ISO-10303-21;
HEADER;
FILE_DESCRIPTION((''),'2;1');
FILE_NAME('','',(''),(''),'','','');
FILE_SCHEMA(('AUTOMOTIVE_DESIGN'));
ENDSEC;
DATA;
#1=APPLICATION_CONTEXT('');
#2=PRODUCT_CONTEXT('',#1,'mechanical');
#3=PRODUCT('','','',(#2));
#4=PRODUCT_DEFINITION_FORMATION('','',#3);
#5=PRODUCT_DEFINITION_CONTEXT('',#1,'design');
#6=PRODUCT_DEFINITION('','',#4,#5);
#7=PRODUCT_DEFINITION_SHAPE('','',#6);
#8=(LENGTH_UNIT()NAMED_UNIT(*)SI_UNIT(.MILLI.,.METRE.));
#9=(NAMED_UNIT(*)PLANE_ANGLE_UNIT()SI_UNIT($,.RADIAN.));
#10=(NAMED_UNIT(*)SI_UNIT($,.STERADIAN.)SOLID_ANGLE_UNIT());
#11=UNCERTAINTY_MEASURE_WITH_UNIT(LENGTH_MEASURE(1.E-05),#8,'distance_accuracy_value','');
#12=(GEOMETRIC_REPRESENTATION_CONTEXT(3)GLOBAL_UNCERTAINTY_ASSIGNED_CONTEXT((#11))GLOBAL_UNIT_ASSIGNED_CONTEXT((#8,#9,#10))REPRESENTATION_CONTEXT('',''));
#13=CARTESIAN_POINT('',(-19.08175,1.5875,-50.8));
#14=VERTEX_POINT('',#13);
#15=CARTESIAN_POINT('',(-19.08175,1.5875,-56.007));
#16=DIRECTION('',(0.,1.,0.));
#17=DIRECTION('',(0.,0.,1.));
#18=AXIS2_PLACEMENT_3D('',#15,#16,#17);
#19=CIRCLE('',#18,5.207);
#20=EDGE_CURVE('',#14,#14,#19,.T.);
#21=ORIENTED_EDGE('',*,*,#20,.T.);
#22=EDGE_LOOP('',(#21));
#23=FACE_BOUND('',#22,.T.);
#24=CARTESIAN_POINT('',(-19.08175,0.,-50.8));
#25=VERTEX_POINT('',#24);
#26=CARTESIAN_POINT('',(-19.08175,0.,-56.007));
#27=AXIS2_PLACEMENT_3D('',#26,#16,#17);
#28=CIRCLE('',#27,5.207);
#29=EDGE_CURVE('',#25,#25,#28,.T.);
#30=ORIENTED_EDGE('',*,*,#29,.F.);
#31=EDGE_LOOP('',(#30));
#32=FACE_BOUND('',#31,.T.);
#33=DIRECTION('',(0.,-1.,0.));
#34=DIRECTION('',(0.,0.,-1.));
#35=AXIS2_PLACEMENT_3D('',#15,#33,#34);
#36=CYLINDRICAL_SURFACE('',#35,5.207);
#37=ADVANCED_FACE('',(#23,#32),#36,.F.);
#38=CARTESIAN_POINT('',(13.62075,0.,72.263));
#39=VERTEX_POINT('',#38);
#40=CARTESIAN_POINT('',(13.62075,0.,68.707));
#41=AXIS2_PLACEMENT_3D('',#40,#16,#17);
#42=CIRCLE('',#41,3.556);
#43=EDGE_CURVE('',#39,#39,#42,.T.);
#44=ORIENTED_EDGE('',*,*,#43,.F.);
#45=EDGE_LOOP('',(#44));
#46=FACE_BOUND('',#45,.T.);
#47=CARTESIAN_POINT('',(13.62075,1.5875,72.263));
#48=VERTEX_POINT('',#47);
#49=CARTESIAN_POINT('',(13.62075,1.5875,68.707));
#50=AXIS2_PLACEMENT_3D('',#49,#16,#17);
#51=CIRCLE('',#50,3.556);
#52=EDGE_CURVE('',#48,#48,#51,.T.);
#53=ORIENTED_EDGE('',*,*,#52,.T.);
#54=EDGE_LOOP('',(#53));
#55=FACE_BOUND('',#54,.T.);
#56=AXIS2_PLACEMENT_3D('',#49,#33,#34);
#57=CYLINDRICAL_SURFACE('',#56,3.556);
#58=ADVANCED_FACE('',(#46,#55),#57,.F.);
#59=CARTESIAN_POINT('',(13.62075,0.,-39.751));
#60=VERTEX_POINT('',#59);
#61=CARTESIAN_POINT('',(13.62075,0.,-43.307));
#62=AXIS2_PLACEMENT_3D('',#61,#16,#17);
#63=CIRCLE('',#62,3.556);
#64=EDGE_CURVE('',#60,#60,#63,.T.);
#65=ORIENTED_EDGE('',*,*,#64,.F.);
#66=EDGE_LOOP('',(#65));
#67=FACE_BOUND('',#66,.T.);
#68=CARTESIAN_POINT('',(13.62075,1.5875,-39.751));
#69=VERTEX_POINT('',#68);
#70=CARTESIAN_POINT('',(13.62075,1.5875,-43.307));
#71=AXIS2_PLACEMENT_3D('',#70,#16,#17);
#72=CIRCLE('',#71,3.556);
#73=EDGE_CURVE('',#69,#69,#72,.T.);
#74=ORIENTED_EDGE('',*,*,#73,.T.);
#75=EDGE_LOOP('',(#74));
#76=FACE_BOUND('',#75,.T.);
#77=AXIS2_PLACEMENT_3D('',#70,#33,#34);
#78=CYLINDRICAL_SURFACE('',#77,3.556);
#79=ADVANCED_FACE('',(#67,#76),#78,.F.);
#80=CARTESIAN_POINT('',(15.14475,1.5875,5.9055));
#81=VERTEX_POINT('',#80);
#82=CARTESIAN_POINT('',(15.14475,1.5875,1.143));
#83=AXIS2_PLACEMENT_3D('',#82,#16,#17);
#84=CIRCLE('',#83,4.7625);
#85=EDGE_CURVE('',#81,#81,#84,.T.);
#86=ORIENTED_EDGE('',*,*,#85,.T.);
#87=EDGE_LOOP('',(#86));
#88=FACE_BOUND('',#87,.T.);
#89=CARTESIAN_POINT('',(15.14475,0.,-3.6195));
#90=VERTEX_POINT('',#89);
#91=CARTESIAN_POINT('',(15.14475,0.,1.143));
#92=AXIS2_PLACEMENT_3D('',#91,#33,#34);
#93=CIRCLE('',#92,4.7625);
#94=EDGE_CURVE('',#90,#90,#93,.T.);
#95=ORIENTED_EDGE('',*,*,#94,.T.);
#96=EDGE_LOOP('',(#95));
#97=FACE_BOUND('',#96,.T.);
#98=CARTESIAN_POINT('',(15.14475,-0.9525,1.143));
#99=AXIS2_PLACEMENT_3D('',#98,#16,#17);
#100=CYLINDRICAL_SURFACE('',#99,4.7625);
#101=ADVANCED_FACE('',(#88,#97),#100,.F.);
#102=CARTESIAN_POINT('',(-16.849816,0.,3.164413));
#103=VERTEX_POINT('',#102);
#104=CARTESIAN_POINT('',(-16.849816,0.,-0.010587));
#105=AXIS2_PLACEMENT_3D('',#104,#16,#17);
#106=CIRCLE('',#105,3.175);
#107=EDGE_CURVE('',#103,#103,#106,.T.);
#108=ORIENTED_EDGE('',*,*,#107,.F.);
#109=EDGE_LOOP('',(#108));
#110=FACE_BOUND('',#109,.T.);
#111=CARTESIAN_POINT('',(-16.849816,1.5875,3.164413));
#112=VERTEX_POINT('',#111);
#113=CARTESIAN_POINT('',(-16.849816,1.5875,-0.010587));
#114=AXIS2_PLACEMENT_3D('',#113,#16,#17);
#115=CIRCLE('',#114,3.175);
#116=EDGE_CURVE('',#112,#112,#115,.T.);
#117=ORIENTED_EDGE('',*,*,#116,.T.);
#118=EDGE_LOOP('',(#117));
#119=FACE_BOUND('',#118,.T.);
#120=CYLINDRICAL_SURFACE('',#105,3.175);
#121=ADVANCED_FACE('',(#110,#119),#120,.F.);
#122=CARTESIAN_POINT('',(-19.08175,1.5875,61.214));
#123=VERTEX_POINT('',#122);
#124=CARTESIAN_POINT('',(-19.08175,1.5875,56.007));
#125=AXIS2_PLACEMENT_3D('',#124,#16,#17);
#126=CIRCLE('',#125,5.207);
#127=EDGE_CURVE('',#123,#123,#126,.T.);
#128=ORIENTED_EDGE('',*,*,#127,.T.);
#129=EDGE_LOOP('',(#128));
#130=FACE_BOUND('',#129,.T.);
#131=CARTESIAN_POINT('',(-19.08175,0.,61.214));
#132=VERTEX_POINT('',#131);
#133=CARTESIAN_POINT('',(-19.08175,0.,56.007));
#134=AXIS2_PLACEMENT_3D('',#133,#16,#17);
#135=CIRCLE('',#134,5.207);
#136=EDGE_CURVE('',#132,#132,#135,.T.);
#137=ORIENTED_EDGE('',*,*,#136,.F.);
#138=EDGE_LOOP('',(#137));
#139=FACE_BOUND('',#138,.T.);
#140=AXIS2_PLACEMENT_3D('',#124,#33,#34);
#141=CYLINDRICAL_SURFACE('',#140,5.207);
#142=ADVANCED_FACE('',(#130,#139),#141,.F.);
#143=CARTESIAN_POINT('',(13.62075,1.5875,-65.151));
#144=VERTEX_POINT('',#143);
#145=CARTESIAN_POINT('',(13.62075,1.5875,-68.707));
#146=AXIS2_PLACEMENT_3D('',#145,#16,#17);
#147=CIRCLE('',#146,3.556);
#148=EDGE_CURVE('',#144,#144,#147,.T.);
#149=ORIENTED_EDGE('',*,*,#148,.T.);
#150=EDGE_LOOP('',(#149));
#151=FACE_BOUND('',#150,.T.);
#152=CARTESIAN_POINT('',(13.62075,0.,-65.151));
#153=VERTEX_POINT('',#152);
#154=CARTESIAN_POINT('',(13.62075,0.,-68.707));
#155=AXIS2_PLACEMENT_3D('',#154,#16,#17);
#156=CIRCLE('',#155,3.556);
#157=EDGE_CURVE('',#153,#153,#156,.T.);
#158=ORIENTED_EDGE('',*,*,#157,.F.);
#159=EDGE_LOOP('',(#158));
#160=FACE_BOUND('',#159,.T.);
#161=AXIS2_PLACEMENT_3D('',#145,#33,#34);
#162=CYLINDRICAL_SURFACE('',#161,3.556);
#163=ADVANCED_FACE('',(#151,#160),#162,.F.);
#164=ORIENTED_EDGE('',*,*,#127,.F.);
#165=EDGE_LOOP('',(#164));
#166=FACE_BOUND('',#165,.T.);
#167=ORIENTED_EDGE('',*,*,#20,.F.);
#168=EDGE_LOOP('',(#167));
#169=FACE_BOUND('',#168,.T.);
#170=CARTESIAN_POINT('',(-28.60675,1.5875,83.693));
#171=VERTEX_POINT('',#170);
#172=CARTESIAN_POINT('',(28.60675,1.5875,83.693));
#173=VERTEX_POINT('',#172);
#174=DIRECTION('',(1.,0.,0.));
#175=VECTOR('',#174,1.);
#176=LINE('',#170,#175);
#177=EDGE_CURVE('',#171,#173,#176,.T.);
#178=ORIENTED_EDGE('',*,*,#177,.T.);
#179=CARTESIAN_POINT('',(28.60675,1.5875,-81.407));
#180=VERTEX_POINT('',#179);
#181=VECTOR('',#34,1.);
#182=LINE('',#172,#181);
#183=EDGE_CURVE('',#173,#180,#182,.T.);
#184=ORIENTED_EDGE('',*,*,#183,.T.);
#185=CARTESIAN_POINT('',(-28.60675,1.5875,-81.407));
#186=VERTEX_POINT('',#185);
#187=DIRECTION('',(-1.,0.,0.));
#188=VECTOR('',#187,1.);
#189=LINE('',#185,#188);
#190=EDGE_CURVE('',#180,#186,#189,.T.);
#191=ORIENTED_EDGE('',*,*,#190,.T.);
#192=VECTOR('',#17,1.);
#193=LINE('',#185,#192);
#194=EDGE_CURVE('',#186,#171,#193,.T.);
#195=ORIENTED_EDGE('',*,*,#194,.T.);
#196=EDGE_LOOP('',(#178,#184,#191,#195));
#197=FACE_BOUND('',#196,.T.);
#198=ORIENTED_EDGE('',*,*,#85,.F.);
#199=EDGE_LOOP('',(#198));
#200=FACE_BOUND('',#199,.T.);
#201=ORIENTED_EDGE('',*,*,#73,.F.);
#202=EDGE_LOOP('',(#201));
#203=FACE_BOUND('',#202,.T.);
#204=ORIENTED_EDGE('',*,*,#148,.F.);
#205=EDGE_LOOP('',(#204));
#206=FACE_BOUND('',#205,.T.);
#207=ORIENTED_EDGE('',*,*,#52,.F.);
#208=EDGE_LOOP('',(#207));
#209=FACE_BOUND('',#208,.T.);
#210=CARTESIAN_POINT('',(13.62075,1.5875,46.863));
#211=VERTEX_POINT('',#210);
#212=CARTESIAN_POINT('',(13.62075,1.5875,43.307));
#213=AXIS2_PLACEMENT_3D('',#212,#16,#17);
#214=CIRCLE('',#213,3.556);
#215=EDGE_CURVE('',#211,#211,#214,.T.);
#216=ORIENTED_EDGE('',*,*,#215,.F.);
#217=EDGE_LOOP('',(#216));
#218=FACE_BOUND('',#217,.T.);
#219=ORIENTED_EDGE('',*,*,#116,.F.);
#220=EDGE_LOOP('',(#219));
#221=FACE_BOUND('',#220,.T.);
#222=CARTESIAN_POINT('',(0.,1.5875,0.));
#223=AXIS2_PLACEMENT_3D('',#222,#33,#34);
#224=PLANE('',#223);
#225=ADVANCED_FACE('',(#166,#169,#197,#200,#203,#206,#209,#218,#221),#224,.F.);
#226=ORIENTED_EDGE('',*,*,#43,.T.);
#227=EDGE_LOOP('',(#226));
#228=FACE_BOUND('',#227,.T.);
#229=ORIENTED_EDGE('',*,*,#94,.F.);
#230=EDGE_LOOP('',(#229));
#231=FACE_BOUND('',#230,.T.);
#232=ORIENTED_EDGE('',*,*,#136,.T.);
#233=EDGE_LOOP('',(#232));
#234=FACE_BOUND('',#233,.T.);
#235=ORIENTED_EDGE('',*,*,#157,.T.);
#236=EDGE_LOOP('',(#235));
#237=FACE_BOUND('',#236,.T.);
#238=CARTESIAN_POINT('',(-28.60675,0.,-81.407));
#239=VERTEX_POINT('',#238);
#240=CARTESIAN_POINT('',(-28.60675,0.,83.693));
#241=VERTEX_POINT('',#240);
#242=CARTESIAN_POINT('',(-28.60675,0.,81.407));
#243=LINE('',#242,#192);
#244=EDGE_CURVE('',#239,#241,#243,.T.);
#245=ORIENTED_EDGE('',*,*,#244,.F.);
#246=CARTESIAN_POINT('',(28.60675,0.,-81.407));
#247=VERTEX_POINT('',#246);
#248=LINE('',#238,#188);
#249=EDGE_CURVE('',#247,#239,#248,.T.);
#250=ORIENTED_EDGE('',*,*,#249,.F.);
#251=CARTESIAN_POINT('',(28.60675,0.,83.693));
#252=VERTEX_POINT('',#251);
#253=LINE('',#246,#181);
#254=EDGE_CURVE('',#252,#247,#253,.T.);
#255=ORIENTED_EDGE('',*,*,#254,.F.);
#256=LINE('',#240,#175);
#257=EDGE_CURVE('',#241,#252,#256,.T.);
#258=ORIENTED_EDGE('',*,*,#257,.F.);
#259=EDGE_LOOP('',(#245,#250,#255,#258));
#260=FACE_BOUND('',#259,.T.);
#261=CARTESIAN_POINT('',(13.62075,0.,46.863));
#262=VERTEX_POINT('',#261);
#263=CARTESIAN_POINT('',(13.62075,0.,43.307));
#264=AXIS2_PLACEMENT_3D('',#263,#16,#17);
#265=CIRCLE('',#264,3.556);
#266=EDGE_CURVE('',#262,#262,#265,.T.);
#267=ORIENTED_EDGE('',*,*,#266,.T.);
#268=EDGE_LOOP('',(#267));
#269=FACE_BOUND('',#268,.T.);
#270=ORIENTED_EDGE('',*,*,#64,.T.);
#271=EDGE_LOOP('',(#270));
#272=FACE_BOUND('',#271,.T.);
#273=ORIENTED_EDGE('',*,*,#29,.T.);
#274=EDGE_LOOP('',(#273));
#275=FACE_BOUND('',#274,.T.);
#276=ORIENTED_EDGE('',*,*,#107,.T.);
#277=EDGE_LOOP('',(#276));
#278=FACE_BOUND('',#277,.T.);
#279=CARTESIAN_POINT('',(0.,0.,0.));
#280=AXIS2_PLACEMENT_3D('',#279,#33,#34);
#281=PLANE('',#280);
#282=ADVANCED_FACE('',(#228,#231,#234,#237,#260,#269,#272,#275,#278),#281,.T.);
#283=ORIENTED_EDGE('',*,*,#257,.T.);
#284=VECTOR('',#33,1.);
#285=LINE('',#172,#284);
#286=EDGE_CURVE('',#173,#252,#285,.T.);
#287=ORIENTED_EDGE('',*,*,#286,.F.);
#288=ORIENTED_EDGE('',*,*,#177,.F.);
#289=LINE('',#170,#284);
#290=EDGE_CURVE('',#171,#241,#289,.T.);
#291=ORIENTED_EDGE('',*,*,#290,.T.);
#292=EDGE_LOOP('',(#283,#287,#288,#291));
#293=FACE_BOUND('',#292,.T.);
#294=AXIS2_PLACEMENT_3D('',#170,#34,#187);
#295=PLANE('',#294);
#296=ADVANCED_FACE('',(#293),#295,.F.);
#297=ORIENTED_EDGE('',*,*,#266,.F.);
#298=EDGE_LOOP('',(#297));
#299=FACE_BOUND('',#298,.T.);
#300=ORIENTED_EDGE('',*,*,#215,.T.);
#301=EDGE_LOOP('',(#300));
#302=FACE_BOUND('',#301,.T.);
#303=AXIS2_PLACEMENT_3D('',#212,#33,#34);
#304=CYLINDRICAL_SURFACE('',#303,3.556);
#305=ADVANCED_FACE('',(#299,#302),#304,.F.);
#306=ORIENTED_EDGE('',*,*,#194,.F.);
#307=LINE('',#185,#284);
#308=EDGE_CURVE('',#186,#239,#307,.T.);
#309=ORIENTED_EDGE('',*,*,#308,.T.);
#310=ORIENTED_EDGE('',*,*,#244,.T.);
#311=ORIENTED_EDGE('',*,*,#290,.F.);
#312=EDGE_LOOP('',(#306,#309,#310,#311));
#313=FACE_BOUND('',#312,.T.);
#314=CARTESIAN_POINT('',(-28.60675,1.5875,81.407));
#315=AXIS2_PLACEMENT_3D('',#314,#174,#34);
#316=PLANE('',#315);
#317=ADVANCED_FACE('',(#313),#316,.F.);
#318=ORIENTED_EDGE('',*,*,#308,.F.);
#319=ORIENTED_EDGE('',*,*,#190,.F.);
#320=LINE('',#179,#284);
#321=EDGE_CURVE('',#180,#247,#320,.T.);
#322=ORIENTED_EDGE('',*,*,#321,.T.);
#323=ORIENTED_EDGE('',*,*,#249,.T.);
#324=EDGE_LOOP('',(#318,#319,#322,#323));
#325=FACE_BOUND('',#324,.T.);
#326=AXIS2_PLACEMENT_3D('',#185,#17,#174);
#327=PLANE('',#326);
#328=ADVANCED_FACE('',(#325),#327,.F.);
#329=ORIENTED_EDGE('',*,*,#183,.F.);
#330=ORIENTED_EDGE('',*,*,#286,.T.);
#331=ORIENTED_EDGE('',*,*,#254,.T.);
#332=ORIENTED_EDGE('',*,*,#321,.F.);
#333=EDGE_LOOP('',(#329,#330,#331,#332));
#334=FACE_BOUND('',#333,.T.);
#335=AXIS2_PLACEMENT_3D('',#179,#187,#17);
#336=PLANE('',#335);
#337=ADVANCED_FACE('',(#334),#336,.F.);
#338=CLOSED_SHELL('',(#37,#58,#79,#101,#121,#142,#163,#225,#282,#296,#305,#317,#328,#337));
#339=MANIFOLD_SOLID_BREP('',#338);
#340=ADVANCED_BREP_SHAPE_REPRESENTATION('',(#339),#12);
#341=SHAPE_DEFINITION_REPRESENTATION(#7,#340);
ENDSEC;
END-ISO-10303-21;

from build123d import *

# Parameters (mm, degrees)
SKETCH1_R           = 5.207
SKETCH1_R_2         = 3.556
BOSS_EXTRUDE1_DEPTH = 1.5875
SKETCH2_R           = 3.175
CUT_EXTRUDE1_DEPTH  = 2.5875
SKETCH3_R           = 4.7625
CUT_EXTRUDE2_DEPTH  = 2.54


with BuildPart() as part:
    # Sketch1 → Boss-Extrude1 (new body)
    with BuildSketch(Plane(origin=(0, 0, 0), x_dir=(1, 0, 0), z_dir=(0, 1, 0))):
        Polygon((-28.60675, 81.407), (28.60675, 81.407), (28.60675, -81.407), (28.60675, -83.693), (-28.60675, -83.693), (-28.60675, -81.407), align=None)
        with Locations((-19.08175, 56.007)):
            Circle(SKETCH1_R, mode=Mode.SUBTRACT)
        with Locations((-19.08175, -56.007)):
            Circle(SKETCH1_R, mode=Mode.SUBTRACT)
        with Locations((13.62075, 68.707)):
            Circle(SKETCH1_R_2, mode=Mode.SUBTRACT)
        with Locations((13.62075, 43.307)):
            Circle(SKETCH1_R_2, mode=Mode.SUBTRACT)
        with Locations((13.62075, -43.307)):
            Circle(SKETCH1_R_2, mode=Mode.SUBTRACT)
        with Locations((13.62075, -68.707)):
            Circle(SKETCH1_R_2, mode=Mode.SUBTRACT)
    extrude(amount=BOSS_EXTRUDE1_DEPTH)

    # Sketch2 → Cut-Extrude1 (cut, through all)
    with BuildSketch(Plane(origin=(0, 1.5875, 0), x_dir=(1, 0, 0), z_dir=(0, 1, 0))):
        with Locations((-16.849815709, 0.01058698)):
            Circle(SKETCH2_R)
    extrude(amount=-CUT_EXTRUDE1_DEPTH, mode=Mode.SUBTRACT)

    # Sketch3 → Cut-Extrude2 (cut)
    with BuildSketch(Plane(origin=(0, 1.5875, 0), x_dir=(1, 0, 0), z_dir=(0, 1, 0))):
        with Locations((15.14475, -1.143)):
            Circle(SKETCH3_R)
    extrude(amount=-CUT_EXTRUDE2_DEPTH, mode=Mode.SUBTRACT)


solid = part.part
